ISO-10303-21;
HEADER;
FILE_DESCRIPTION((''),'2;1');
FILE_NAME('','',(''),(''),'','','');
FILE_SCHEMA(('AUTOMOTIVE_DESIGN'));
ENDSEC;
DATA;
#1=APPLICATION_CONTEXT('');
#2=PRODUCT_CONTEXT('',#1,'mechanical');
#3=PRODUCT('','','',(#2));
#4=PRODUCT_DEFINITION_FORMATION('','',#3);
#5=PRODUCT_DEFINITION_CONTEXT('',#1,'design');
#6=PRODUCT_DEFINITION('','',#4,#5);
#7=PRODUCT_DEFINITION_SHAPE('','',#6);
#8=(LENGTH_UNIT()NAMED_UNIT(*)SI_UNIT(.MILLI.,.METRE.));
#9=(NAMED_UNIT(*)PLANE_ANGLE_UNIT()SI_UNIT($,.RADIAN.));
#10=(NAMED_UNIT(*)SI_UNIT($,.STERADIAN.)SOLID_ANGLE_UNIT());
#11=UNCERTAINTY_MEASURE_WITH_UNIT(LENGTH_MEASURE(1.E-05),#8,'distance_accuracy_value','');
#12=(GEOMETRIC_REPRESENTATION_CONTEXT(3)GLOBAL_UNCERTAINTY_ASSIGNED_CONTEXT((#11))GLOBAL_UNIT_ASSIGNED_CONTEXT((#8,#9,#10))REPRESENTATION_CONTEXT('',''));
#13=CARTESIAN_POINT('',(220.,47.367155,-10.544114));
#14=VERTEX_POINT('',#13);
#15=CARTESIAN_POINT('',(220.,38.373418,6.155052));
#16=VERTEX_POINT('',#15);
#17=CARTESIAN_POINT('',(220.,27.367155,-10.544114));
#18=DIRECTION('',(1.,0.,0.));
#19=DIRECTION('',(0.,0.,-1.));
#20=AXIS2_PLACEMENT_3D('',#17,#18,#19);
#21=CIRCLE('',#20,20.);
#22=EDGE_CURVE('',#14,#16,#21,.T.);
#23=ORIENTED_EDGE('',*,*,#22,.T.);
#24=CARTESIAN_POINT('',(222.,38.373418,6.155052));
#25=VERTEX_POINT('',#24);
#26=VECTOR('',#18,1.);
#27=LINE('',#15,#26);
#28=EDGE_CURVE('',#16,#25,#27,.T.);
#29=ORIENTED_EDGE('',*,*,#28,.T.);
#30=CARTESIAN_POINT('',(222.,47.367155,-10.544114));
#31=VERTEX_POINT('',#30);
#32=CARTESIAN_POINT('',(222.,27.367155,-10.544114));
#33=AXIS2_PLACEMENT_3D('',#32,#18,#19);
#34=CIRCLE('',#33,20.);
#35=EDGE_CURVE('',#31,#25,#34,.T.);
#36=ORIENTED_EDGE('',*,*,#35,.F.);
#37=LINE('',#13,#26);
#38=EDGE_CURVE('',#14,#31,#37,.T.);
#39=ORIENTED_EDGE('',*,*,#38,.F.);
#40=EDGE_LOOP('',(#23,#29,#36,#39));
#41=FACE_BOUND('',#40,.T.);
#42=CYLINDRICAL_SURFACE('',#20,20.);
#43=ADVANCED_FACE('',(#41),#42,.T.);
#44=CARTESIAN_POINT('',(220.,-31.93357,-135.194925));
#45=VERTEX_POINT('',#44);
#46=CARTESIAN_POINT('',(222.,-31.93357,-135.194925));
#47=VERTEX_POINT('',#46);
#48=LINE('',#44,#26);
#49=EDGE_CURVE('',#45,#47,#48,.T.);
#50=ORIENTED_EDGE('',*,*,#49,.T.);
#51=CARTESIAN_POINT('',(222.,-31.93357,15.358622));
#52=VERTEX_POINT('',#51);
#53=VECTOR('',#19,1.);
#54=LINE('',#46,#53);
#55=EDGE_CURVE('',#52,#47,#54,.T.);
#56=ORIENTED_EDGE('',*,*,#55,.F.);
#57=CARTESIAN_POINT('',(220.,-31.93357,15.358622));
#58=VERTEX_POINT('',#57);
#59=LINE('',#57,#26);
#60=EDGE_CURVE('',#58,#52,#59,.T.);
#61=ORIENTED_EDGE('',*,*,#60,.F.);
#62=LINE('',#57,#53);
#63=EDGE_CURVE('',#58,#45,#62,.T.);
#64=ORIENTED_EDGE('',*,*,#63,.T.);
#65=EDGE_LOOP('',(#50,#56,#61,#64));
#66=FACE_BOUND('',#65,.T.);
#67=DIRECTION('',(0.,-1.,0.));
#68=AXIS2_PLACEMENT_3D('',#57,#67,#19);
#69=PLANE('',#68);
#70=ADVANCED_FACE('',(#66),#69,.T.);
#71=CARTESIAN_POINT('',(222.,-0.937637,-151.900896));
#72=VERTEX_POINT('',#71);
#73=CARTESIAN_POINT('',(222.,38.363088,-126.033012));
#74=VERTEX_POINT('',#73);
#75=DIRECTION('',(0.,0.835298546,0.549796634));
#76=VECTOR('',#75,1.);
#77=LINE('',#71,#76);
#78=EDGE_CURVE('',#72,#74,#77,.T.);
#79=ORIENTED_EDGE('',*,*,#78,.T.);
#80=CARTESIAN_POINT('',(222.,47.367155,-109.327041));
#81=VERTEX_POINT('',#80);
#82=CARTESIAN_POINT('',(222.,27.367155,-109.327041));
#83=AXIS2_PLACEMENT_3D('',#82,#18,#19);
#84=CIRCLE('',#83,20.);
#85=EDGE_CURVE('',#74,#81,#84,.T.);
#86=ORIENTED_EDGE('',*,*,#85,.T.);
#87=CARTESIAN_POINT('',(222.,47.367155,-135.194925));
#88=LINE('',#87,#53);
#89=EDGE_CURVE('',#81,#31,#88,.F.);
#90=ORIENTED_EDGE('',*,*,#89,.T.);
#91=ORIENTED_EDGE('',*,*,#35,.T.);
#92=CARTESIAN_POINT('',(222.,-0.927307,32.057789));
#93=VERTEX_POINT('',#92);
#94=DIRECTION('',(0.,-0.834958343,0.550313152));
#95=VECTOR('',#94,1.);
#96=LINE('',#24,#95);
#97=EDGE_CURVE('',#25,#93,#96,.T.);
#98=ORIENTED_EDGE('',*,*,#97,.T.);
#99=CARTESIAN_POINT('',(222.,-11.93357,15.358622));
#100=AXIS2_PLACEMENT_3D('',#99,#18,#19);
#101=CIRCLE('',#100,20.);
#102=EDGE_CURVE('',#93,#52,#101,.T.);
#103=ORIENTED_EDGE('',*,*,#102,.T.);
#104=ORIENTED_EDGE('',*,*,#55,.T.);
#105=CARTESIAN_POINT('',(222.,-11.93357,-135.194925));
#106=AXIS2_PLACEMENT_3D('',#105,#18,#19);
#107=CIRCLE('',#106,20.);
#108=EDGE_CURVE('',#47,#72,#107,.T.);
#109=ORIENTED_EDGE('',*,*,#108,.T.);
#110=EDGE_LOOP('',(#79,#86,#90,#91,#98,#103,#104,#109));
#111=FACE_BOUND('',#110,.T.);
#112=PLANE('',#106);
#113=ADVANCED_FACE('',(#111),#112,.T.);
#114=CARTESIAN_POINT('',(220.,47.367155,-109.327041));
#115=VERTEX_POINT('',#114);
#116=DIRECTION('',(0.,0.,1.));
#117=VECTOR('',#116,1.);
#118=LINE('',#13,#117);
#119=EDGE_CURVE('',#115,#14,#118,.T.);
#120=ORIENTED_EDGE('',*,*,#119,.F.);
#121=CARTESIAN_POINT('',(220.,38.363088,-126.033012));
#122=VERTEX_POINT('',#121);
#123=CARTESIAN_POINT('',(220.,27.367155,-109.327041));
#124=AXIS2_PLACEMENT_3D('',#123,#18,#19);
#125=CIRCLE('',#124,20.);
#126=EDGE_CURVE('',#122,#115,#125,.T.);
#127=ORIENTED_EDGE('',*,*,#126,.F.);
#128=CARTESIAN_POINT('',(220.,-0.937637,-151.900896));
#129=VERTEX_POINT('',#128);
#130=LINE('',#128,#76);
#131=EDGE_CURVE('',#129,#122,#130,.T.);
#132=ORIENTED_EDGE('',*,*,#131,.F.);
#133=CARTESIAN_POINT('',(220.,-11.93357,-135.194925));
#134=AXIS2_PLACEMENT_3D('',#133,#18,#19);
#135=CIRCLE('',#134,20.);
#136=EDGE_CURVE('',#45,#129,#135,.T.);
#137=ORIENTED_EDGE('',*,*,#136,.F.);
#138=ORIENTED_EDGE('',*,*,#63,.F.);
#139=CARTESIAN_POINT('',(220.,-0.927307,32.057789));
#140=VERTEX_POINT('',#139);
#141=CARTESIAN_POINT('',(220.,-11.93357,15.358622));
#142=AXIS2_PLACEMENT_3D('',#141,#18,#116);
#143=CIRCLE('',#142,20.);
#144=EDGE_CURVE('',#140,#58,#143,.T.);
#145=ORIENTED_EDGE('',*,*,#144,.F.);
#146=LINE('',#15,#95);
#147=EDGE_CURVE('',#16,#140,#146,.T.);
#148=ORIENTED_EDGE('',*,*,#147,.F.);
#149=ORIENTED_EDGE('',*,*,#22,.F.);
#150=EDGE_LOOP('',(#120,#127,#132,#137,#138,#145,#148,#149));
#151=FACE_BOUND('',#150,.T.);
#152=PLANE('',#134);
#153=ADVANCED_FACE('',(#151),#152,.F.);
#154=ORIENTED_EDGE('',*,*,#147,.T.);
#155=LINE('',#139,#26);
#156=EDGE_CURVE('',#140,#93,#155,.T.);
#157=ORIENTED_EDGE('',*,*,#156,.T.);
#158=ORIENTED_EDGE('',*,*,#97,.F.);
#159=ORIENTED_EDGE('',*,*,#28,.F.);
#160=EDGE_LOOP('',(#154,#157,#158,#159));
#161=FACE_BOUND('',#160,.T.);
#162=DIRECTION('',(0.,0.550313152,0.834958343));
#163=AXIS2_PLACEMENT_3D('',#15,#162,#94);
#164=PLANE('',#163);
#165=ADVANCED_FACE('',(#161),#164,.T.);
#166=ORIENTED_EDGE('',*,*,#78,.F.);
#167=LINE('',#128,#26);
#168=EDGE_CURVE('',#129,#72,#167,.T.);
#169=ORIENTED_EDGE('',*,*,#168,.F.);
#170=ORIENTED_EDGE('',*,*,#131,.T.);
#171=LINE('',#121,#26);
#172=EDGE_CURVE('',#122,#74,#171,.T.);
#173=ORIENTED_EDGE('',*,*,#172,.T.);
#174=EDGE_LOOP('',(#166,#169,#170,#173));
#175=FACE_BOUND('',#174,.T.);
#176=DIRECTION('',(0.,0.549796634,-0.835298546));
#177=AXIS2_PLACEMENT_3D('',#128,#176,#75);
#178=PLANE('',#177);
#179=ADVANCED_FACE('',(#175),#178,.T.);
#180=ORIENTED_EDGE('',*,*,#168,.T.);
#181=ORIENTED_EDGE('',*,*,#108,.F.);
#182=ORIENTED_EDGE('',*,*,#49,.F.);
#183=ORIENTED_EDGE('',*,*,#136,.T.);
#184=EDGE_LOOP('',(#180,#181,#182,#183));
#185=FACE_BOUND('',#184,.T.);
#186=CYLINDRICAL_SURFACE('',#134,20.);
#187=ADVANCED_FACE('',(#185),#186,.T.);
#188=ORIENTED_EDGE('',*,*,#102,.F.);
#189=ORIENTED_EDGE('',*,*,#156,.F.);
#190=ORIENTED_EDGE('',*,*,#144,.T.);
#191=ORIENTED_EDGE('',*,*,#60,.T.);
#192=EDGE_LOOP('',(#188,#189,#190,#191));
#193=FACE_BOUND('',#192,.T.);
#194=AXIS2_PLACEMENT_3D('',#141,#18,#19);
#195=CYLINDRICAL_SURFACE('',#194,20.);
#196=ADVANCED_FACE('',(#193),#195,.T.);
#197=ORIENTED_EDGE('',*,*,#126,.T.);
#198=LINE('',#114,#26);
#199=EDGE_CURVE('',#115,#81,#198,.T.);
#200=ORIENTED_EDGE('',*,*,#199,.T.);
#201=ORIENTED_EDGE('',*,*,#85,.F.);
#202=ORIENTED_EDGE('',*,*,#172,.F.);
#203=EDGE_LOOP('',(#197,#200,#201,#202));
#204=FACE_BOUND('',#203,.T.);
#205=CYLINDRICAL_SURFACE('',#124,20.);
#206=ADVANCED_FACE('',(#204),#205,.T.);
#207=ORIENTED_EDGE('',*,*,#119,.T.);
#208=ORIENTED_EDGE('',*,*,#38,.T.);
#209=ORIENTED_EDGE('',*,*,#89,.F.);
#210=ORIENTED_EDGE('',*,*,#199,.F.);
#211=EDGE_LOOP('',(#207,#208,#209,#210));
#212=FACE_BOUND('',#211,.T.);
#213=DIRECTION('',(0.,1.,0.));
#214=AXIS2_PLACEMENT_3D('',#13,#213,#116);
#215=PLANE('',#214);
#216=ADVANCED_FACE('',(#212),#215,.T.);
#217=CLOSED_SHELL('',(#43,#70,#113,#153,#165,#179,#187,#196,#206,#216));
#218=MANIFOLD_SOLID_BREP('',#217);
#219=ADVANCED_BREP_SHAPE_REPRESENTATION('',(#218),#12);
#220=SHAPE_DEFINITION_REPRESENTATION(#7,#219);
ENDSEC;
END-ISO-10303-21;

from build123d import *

# Parameters (mm, degrees)
THICKEN1_T1 = 2


with BuildPart() as body_1:
    # Sketch6 → Surface-Plane1: a flat surface bounded by the sketch
    with BuildSketch(Plane(origin=(220, 0, 0), x_dir=(0, 0, -1), z_dir=(1, 0, 0)), mode=Mode.PRIVATE) as surface_plane1_1_region:
        with BuildLine():
            Line((10.544114441, 47.367154835), (109.327040639, 47.367154835))
            ThreePointArc((109.327040639, 47.367154835), (118.816017042, 44.972816618), (126.033011561, 38.363087517))
            Line((126.033011561, 38.363087517), (151.900895956, -0.937637305))
            ThreePointArc((151.900895956, -0.937637305), (152.800586817, -21.422546391), (135.194925034, -31.933569988))
            Line((135.194925034, -31.933569988), (-15.358621791, -31.933569988))
            ThreePointArc((-15.358621791, -31.933569988), (-32.967217144, -21.417101487), (-32.05778866, -0.927306957))
            Line((-32.05778866, -0.927306957), (-6.155052428, 38.373417866))
            ThreePointArc((-6.155052428, 38.373417866), (1.060582941, 44.975750188), (10.544114441, 47.367154835))
        make_face()
    surface_plane1_1 = surface_plane1_1_region.sketch.faces()[0]
    add(Solid.thicken(surface_plane1_1, THICKEN1_T1))


solid = body_1.part
